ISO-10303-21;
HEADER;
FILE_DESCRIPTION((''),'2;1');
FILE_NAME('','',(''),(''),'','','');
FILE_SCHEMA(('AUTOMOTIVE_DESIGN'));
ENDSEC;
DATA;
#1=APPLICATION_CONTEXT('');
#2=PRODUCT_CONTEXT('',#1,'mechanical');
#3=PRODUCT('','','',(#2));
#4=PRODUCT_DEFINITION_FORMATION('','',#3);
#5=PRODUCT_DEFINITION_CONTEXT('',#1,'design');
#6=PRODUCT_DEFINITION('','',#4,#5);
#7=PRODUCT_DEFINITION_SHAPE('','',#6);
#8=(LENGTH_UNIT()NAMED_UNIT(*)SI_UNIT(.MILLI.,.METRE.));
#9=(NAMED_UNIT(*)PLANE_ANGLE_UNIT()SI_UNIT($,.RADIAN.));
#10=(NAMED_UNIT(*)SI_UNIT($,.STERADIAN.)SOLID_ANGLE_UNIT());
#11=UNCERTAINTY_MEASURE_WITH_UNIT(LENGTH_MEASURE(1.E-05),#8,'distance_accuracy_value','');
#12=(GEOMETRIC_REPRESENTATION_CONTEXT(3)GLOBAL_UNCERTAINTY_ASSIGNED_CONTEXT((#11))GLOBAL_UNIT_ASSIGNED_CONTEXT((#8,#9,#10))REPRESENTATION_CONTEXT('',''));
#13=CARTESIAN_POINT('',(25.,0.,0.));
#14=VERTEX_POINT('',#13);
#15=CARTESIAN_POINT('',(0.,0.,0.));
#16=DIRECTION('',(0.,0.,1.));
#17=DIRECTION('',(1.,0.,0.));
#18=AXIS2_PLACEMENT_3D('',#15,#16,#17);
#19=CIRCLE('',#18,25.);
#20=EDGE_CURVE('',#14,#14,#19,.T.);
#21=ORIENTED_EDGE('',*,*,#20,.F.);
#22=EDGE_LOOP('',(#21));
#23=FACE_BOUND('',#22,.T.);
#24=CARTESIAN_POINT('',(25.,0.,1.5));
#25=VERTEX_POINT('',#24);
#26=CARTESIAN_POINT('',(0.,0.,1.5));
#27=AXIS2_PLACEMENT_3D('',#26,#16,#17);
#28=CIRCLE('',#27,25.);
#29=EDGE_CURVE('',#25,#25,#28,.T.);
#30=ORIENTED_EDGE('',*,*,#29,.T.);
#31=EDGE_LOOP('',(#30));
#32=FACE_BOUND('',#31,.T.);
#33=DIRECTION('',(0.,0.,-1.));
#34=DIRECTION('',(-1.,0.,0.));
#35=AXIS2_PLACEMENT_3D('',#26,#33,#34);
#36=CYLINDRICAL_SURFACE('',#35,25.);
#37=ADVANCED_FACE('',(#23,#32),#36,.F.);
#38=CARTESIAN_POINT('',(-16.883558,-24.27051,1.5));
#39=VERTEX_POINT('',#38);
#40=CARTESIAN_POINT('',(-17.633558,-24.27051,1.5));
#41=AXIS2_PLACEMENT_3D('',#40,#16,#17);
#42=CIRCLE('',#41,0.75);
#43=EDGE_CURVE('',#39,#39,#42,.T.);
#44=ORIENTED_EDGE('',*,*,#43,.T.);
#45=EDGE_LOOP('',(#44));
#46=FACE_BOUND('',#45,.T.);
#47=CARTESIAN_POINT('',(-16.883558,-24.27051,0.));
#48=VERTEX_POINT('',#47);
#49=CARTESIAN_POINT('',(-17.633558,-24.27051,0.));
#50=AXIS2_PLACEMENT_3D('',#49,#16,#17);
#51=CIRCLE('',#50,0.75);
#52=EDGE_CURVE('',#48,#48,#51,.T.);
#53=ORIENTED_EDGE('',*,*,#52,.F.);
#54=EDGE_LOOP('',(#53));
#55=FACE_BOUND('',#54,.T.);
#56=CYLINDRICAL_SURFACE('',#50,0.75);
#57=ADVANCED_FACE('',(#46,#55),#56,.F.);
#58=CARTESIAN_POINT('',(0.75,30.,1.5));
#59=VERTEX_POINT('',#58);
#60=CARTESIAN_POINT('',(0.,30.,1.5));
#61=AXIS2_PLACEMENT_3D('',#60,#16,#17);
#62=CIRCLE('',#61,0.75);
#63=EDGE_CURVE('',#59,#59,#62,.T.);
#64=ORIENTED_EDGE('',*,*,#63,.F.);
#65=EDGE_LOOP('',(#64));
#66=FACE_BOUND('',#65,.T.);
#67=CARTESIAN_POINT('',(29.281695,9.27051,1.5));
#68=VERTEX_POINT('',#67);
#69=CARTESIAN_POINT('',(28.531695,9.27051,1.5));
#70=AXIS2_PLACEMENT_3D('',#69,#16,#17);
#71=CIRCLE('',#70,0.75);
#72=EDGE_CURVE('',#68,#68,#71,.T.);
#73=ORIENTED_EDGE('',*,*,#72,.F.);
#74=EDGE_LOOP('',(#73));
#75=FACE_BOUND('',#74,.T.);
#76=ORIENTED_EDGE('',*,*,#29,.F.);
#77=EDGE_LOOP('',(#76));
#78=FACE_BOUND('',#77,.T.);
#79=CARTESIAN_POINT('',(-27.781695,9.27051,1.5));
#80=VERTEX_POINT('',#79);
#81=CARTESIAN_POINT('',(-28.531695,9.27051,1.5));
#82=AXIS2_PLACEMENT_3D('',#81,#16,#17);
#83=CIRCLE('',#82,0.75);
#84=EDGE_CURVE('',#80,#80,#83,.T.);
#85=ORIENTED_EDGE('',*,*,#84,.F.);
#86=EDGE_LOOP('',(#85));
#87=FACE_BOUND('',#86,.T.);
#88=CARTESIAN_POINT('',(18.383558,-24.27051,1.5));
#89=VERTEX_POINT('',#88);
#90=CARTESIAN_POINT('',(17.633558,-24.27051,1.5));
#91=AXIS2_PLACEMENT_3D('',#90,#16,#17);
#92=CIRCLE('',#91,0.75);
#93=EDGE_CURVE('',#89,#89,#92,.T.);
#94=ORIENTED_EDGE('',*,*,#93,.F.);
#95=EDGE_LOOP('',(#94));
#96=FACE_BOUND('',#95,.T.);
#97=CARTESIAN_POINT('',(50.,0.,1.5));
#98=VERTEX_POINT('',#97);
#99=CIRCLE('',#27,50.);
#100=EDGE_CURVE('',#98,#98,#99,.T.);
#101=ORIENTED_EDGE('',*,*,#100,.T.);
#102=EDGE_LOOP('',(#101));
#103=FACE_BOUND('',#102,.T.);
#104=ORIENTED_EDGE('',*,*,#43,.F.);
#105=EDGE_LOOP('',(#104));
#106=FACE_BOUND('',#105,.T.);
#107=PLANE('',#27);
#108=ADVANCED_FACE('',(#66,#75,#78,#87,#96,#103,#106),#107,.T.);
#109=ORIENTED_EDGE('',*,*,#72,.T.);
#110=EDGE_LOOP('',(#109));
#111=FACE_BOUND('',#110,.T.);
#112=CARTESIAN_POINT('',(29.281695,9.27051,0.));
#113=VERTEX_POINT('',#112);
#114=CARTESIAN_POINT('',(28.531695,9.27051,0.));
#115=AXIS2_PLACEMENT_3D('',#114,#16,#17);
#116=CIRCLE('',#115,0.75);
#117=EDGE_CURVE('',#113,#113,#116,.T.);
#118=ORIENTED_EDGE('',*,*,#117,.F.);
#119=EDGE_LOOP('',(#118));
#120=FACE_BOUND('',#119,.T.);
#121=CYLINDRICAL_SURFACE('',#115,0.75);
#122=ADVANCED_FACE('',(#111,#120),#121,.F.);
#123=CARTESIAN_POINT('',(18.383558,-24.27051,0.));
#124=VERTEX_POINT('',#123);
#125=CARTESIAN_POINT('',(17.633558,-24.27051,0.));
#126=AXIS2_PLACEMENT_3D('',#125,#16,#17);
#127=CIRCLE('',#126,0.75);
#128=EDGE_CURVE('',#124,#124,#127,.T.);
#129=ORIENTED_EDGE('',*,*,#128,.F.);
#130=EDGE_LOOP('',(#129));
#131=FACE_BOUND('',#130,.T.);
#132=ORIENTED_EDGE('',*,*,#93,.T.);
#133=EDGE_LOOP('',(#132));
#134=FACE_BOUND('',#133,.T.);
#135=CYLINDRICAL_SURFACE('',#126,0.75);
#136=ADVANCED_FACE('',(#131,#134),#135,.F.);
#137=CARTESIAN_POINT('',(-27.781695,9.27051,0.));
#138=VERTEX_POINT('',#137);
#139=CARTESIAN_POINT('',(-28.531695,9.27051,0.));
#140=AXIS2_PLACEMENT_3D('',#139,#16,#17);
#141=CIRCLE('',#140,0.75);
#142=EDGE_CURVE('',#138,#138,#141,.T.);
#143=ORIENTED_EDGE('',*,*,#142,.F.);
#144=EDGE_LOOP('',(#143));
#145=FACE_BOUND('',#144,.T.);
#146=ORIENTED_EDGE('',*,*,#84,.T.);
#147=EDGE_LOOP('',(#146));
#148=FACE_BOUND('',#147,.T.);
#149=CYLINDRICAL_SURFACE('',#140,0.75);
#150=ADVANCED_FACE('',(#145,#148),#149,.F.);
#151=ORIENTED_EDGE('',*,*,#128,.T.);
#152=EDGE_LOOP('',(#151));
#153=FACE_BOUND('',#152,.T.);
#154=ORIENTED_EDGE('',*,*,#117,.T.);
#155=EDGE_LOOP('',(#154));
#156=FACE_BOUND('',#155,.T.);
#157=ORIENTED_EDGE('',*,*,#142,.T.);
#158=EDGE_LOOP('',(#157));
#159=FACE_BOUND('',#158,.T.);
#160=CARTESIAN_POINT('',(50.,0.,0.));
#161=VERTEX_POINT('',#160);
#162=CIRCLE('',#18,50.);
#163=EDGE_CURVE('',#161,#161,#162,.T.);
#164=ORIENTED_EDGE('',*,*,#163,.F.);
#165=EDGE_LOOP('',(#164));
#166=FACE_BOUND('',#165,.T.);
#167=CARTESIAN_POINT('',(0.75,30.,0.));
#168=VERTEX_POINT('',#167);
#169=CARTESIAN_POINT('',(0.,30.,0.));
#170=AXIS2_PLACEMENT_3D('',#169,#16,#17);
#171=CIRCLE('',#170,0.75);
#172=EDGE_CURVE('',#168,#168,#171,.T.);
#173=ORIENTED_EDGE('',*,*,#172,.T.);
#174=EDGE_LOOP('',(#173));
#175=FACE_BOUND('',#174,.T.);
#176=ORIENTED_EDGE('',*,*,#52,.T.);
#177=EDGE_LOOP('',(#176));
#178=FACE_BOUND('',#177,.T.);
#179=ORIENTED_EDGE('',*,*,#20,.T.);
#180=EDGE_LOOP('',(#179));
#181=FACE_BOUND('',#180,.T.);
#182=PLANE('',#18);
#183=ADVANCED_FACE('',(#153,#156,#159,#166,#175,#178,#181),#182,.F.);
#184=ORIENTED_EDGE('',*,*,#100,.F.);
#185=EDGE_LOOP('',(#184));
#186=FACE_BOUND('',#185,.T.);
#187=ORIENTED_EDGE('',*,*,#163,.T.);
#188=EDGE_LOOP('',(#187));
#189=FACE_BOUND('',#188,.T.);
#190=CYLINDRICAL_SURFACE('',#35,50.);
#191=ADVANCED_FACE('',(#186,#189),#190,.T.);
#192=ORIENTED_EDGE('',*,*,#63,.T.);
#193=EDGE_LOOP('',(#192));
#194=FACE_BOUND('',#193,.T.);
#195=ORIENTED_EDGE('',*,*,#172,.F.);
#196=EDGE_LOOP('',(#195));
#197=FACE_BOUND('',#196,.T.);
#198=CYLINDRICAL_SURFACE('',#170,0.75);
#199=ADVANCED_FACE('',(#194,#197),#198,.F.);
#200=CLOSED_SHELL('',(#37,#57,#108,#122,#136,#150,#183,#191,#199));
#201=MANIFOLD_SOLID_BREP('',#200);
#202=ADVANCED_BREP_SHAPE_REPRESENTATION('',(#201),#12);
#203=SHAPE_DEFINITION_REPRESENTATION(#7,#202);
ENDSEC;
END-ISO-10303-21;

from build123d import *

# Parameters (mm, degrees)
SKETCH1_R           = 50
SKETCH1_R_2         = 25
BOSS_EXTRUDE1_DEPTH = 1.5
SKETCH2_R           = 0.75
CUT_EXTRUDE1_DEPTH  = 71.726586232


with BuildPart() as part:
    # Sketch1 → Boss-Extrude1 (new body)
    with BuildSketch(Plane.XY):
        Circle(SKETCH1_R)
        Circle(SKETCH1_R_2, mode=Mode.SUBTRACT)
    extrude(amount=BOSS_EXTRUDE1_DEPTH)

    # Sketch2 → Cut-Extrude1 (cut, through all)
    with BuildSketch(Plane.XY.offset(1.5)):
        with Locations((0, 30)):
            Circle(SKETCH2_R)
        with Locations((28.531695489, 9.270509831)):
            Circle(SKETCH2_R)
        with Locations((17.633557569, -24.270509831)):
            Circle(SKETCH2_R)
        with Locations((-17.633557569, -24.270509831)):
            Circle(SKETCH2_R)
        with Locations((-28.531695489, 9.270509831)):
            Circle(SKETCH2_R)
    extrude(amount=-CUT_EXTRUDE1_DEPTH, mode=Mode.SUBTRACT)


solid = part.part
